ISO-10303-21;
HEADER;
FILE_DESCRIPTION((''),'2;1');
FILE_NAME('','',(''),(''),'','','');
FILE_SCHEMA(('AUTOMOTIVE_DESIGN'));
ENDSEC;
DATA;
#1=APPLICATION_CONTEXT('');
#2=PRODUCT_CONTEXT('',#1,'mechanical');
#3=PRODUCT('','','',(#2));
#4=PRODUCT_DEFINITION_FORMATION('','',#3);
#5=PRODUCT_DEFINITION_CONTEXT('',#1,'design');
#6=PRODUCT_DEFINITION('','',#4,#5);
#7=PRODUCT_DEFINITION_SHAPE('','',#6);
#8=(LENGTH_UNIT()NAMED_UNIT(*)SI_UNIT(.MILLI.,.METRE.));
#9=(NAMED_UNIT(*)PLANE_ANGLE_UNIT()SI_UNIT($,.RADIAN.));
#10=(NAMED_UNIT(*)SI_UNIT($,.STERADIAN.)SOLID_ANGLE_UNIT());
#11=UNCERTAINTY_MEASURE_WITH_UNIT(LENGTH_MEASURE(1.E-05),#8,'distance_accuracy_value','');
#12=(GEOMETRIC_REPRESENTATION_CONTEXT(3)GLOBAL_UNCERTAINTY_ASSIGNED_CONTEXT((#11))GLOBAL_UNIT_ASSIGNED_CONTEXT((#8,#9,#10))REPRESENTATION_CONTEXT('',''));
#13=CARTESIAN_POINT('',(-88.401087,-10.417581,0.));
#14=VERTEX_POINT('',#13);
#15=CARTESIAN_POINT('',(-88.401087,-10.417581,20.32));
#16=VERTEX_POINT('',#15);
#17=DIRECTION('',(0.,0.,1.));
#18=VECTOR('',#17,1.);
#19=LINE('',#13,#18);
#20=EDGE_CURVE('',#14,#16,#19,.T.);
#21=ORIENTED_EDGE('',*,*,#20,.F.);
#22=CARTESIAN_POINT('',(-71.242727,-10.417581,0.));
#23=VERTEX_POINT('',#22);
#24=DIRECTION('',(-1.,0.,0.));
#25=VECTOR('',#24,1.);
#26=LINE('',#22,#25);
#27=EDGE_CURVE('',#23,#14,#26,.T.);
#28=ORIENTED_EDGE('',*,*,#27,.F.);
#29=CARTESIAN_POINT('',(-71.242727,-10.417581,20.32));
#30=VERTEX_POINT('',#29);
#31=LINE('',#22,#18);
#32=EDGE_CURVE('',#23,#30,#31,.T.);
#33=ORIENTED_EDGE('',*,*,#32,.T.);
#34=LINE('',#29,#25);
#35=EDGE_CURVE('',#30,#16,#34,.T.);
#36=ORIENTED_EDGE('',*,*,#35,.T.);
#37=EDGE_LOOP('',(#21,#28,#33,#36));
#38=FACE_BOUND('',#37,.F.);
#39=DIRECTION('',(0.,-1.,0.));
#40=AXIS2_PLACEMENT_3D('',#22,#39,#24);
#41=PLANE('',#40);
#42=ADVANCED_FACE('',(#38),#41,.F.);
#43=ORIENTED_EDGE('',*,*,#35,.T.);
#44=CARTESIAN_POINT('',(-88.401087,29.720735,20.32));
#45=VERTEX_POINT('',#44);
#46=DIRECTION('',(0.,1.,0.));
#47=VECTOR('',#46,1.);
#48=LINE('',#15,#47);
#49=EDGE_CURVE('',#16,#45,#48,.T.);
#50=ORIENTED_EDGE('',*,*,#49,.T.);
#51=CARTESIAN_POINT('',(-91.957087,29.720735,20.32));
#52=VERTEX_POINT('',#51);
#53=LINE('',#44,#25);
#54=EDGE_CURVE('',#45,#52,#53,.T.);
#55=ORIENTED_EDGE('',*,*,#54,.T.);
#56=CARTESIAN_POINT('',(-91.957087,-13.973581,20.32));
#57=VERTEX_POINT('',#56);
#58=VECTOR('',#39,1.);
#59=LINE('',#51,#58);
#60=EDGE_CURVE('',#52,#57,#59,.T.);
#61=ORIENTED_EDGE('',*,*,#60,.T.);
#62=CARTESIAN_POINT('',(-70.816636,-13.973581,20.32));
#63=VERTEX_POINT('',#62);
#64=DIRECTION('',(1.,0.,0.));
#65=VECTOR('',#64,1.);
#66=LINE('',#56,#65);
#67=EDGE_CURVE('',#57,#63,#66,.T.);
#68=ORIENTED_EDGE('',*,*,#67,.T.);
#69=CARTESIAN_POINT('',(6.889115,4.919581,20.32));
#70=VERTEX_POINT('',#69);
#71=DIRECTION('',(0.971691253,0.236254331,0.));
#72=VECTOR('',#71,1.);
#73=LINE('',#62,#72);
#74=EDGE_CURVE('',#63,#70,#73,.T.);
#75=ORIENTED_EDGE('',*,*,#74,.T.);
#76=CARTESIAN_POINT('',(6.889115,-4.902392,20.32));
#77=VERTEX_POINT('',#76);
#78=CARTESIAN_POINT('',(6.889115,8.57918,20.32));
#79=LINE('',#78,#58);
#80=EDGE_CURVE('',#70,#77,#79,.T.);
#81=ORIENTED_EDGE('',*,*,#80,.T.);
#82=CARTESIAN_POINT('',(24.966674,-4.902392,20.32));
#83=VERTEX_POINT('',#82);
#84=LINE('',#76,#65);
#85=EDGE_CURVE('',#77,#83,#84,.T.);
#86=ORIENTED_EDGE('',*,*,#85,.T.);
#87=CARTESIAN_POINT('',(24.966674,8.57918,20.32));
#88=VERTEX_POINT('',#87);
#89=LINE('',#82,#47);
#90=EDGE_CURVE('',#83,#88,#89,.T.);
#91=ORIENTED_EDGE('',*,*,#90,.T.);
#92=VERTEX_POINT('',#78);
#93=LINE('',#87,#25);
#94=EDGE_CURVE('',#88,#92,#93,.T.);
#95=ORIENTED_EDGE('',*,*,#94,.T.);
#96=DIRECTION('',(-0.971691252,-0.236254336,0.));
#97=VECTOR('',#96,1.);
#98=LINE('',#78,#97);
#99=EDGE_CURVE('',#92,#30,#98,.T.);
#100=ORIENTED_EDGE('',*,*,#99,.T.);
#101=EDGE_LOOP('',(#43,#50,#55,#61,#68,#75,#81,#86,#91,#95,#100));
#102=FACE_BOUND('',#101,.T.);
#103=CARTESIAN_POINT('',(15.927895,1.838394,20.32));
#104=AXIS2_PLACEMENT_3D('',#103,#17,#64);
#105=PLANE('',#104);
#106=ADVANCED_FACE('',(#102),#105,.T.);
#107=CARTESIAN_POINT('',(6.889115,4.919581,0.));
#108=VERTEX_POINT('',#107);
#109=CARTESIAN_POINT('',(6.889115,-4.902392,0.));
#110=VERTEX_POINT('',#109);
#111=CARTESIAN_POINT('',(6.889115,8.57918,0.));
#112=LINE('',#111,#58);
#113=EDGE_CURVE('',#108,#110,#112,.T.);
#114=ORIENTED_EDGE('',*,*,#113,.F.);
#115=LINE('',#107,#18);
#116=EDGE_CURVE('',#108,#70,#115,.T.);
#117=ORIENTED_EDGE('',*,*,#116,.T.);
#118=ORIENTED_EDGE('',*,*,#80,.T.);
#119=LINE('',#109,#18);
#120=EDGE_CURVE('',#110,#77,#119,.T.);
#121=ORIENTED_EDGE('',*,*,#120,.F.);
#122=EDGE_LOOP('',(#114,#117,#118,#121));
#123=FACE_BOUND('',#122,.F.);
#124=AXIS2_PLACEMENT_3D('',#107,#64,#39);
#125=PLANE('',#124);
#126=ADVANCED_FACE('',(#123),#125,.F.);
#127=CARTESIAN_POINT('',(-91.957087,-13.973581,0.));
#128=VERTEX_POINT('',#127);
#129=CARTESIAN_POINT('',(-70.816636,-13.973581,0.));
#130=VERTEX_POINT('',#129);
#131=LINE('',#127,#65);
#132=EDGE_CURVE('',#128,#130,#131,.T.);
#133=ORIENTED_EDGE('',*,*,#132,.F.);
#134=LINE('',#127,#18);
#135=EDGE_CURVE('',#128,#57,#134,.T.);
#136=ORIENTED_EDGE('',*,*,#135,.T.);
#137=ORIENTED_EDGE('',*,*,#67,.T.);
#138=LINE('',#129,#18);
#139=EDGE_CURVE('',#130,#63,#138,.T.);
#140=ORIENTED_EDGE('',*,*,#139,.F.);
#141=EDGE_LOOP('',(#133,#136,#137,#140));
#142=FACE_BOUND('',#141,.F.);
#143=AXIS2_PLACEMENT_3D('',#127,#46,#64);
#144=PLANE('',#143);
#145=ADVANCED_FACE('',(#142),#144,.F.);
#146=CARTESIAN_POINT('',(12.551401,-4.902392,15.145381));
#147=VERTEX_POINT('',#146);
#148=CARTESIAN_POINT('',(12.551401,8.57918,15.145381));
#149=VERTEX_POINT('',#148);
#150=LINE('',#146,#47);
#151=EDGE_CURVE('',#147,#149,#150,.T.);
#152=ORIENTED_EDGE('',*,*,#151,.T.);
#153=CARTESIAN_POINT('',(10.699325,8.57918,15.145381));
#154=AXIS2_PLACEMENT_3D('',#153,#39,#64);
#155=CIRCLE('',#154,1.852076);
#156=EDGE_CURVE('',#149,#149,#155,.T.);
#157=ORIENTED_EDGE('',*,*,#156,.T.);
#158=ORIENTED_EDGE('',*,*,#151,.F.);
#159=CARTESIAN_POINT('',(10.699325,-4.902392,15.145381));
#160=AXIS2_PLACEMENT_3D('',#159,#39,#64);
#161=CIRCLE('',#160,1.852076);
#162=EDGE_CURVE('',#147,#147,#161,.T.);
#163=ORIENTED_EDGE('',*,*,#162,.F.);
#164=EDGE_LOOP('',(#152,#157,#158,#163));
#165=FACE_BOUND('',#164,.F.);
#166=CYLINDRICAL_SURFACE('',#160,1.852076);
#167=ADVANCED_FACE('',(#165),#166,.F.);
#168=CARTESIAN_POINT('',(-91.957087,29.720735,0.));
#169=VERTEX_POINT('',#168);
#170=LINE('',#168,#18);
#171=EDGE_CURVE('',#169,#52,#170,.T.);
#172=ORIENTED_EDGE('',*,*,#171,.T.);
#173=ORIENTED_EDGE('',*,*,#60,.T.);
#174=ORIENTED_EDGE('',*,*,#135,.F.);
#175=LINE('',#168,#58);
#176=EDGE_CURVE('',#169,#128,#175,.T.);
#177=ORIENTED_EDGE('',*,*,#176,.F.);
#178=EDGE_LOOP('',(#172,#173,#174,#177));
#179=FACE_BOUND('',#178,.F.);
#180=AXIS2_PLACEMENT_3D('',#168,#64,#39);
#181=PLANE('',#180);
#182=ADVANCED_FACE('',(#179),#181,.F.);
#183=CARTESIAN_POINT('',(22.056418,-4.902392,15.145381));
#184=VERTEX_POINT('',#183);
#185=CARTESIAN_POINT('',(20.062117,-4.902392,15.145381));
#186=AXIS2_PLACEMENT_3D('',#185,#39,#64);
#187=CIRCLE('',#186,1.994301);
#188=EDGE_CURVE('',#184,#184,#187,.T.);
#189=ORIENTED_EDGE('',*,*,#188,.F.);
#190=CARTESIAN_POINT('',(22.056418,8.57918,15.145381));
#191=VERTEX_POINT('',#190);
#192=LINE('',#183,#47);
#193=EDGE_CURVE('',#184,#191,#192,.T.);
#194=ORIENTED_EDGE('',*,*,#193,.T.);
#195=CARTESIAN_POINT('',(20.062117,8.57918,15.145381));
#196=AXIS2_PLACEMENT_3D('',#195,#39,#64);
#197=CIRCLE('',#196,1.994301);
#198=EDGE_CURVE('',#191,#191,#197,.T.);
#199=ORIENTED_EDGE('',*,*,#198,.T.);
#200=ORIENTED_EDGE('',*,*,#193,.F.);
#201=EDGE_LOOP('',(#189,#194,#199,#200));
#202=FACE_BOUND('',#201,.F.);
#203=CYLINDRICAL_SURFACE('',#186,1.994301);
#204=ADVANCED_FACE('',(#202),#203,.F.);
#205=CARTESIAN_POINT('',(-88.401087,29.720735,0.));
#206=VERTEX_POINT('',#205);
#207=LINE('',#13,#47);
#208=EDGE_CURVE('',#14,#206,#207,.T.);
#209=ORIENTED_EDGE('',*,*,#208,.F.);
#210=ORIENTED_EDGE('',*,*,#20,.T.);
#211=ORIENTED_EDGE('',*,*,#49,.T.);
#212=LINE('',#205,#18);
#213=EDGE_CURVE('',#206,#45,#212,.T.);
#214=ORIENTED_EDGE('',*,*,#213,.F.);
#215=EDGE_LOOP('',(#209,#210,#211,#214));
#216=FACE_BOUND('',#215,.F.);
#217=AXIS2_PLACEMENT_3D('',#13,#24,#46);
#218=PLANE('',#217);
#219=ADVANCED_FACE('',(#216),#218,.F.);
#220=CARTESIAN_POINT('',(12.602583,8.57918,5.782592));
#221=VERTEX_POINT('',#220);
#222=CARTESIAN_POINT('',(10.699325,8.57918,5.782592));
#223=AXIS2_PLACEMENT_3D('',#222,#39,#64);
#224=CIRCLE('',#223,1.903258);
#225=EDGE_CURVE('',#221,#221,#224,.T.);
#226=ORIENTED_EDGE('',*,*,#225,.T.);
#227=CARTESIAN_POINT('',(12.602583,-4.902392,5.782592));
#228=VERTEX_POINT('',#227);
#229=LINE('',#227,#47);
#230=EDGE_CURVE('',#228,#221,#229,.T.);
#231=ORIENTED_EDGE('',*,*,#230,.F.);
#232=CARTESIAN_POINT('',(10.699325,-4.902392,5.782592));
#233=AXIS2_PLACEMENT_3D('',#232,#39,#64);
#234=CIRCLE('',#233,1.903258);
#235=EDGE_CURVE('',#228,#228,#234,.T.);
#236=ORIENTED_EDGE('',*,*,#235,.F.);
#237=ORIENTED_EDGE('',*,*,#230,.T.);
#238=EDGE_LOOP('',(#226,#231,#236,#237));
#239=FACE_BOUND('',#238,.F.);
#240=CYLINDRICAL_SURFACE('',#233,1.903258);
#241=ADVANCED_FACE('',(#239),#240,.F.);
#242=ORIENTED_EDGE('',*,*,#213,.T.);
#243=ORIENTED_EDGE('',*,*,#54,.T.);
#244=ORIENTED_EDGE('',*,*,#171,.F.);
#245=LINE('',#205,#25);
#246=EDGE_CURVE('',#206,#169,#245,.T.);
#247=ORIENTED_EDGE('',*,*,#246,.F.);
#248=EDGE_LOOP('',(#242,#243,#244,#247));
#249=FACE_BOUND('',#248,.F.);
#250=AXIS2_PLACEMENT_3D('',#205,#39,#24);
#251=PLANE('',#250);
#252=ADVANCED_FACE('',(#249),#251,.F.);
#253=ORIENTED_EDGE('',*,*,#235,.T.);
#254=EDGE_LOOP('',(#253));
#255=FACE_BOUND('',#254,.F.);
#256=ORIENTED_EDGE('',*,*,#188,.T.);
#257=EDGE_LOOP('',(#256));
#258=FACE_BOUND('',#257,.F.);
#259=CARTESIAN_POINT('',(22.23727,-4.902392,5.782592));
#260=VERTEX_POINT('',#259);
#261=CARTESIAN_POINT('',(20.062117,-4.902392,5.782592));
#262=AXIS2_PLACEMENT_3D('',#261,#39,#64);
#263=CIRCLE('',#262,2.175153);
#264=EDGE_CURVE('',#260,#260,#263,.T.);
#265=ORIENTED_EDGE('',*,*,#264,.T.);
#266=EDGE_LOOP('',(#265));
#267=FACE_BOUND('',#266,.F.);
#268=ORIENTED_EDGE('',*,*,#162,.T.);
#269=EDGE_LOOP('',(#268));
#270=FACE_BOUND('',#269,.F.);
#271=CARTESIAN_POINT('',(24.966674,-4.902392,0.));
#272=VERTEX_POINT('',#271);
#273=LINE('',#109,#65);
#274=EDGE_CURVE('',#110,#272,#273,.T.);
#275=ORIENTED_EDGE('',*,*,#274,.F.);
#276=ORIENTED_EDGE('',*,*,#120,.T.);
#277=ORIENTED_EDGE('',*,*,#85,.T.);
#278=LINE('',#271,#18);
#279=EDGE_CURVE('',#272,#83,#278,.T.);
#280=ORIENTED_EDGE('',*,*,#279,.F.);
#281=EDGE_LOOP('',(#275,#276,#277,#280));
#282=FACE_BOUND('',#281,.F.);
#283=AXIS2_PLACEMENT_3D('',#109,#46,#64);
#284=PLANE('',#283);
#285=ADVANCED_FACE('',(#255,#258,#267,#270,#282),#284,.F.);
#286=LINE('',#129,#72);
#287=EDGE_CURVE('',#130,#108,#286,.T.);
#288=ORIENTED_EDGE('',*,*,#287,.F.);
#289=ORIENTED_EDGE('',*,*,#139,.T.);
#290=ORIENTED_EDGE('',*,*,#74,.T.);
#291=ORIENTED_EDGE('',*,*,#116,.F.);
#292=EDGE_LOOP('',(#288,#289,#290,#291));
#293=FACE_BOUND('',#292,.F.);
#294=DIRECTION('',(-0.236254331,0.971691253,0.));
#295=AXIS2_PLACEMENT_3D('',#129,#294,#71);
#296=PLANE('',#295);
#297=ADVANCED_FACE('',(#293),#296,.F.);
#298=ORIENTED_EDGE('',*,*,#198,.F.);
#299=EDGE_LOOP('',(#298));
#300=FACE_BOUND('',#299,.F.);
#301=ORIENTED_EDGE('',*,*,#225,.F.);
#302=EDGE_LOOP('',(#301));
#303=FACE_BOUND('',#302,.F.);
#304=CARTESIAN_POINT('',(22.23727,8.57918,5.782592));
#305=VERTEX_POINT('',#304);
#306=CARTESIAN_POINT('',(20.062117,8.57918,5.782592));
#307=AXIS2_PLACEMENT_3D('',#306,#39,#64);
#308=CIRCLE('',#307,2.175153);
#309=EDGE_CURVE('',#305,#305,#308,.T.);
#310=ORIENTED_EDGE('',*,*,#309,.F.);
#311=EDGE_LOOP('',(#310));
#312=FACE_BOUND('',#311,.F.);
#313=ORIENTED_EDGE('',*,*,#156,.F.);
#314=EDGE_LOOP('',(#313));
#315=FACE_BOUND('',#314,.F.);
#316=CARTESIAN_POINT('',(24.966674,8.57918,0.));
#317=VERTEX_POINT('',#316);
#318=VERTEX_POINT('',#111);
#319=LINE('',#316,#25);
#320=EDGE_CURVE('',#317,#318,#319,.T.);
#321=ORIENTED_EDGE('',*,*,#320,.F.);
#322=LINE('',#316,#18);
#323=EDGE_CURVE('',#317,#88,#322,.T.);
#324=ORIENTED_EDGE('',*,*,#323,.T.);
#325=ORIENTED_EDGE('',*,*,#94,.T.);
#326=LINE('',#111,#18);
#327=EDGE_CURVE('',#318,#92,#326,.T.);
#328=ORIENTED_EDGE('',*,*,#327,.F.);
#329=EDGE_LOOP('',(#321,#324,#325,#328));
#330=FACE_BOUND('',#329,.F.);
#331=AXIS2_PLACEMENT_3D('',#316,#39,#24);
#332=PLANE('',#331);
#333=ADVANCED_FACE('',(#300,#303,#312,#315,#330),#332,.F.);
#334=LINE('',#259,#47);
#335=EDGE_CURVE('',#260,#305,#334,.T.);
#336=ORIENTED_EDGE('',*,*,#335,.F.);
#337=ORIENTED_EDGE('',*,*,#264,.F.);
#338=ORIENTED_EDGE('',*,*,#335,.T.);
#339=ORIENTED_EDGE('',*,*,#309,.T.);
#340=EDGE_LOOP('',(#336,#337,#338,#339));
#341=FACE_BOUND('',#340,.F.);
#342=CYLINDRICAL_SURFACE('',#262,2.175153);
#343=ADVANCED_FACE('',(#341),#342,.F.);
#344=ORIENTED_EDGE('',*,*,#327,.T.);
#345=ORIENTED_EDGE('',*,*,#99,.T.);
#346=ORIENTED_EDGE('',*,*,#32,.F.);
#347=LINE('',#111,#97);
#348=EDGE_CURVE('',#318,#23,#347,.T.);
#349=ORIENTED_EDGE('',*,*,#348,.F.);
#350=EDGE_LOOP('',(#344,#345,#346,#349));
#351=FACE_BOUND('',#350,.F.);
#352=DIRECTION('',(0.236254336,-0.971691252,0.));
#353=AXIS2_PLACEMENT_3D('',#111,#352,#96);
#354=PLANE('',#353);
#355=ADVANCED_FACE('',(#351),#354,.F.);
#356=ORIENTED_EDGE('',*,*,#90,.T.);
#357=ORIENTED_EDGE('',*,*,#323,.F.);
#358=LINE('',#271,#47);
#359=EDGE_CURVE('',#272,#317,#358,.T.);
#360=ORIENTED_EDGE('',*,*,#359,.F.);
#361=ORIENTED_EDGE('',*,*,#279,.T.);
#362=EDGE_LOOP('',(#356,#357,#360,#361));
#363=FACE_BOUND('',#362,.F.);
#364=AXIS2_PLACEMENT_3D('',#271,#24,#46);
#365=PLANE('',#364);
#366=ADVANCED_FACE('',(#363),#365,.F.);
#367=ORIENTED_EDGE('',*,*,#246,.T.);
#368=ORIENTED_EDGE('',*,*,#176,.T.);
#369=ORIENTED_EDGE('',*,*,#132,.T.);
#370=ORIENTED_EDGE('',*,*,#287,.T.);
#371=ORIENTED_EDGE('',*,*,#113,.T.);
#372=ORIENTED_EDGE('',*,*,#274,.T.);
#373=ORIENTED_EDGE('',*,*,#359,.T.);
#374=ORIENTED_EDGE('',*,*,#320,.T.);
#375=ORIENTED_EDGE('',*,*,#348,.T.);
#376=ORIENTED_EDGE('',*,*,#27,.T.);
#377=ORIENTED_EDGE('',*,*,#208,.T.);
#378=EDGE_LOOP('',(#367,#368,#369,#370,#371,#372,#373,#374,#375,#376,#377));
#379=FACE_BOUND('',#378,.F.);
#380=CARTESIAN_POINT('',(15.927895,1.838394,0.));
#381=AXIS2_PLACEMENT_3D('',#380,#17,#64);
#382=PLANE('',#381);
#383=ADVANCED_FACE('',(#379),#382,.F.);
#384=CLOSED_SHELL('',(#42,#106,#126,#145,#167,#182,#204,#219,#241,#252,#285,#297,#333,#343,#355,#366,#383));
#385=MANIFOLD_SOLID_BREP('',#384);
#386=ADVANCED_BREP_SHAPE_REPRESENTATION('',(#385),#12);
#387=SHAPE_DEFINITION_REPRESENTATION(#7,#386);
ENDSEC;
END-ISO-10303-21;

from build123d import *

# Parameters (mm, degrees)
F1_DEPTH = 20.32
F2_R     = 1.852076
F2_R_2   = 1.994301
F2_R_3   = 2.175153
F2_R_4   = 1.903258
F3_DEPTH = 34.624126


with BuildPart() as f1:
    # F0 (on Top) → F1 (new body)
    with BuildSketch(Plane.XY):
        Polygon((24.966674, 8.57918), (6.889115, 8.57918), (6.889115, 4.919581), (6.889115, -4.902392), (24.966674, -4.902392), align=None)
        Polygon((-88.401087, -10.417581), (-88.401087, 29.720735), (-91.957087, 29.720735), (-91.957087, -13.973581), (-70.816636, -13.973581), (6.889115, 4.919581), (6.889115, 8.57918), (-71.242727, -10.417581), align=None)
    extrude(amount=F1_DEPTH)

    # F2 (on face) → F3 (cut, through all)
    with BuildSketch(Plane.XZ.offset(4.902392)):
        with Locations((10.699325, 15.145381)):
            Circle(F2_R)
        with Locations((20.062117, 15.145381)):
            Circle(F2_R_2)
        with Locations((20.062117, 5.782592)):
            Circle(F2_R_3)
        with Locations((10.699325, 5.782592)):
            Circle(F2_R_4)
    extrude(amount=-F3_DEPTH, mode=Mode.SUBTRACT)


solid = f1.part
